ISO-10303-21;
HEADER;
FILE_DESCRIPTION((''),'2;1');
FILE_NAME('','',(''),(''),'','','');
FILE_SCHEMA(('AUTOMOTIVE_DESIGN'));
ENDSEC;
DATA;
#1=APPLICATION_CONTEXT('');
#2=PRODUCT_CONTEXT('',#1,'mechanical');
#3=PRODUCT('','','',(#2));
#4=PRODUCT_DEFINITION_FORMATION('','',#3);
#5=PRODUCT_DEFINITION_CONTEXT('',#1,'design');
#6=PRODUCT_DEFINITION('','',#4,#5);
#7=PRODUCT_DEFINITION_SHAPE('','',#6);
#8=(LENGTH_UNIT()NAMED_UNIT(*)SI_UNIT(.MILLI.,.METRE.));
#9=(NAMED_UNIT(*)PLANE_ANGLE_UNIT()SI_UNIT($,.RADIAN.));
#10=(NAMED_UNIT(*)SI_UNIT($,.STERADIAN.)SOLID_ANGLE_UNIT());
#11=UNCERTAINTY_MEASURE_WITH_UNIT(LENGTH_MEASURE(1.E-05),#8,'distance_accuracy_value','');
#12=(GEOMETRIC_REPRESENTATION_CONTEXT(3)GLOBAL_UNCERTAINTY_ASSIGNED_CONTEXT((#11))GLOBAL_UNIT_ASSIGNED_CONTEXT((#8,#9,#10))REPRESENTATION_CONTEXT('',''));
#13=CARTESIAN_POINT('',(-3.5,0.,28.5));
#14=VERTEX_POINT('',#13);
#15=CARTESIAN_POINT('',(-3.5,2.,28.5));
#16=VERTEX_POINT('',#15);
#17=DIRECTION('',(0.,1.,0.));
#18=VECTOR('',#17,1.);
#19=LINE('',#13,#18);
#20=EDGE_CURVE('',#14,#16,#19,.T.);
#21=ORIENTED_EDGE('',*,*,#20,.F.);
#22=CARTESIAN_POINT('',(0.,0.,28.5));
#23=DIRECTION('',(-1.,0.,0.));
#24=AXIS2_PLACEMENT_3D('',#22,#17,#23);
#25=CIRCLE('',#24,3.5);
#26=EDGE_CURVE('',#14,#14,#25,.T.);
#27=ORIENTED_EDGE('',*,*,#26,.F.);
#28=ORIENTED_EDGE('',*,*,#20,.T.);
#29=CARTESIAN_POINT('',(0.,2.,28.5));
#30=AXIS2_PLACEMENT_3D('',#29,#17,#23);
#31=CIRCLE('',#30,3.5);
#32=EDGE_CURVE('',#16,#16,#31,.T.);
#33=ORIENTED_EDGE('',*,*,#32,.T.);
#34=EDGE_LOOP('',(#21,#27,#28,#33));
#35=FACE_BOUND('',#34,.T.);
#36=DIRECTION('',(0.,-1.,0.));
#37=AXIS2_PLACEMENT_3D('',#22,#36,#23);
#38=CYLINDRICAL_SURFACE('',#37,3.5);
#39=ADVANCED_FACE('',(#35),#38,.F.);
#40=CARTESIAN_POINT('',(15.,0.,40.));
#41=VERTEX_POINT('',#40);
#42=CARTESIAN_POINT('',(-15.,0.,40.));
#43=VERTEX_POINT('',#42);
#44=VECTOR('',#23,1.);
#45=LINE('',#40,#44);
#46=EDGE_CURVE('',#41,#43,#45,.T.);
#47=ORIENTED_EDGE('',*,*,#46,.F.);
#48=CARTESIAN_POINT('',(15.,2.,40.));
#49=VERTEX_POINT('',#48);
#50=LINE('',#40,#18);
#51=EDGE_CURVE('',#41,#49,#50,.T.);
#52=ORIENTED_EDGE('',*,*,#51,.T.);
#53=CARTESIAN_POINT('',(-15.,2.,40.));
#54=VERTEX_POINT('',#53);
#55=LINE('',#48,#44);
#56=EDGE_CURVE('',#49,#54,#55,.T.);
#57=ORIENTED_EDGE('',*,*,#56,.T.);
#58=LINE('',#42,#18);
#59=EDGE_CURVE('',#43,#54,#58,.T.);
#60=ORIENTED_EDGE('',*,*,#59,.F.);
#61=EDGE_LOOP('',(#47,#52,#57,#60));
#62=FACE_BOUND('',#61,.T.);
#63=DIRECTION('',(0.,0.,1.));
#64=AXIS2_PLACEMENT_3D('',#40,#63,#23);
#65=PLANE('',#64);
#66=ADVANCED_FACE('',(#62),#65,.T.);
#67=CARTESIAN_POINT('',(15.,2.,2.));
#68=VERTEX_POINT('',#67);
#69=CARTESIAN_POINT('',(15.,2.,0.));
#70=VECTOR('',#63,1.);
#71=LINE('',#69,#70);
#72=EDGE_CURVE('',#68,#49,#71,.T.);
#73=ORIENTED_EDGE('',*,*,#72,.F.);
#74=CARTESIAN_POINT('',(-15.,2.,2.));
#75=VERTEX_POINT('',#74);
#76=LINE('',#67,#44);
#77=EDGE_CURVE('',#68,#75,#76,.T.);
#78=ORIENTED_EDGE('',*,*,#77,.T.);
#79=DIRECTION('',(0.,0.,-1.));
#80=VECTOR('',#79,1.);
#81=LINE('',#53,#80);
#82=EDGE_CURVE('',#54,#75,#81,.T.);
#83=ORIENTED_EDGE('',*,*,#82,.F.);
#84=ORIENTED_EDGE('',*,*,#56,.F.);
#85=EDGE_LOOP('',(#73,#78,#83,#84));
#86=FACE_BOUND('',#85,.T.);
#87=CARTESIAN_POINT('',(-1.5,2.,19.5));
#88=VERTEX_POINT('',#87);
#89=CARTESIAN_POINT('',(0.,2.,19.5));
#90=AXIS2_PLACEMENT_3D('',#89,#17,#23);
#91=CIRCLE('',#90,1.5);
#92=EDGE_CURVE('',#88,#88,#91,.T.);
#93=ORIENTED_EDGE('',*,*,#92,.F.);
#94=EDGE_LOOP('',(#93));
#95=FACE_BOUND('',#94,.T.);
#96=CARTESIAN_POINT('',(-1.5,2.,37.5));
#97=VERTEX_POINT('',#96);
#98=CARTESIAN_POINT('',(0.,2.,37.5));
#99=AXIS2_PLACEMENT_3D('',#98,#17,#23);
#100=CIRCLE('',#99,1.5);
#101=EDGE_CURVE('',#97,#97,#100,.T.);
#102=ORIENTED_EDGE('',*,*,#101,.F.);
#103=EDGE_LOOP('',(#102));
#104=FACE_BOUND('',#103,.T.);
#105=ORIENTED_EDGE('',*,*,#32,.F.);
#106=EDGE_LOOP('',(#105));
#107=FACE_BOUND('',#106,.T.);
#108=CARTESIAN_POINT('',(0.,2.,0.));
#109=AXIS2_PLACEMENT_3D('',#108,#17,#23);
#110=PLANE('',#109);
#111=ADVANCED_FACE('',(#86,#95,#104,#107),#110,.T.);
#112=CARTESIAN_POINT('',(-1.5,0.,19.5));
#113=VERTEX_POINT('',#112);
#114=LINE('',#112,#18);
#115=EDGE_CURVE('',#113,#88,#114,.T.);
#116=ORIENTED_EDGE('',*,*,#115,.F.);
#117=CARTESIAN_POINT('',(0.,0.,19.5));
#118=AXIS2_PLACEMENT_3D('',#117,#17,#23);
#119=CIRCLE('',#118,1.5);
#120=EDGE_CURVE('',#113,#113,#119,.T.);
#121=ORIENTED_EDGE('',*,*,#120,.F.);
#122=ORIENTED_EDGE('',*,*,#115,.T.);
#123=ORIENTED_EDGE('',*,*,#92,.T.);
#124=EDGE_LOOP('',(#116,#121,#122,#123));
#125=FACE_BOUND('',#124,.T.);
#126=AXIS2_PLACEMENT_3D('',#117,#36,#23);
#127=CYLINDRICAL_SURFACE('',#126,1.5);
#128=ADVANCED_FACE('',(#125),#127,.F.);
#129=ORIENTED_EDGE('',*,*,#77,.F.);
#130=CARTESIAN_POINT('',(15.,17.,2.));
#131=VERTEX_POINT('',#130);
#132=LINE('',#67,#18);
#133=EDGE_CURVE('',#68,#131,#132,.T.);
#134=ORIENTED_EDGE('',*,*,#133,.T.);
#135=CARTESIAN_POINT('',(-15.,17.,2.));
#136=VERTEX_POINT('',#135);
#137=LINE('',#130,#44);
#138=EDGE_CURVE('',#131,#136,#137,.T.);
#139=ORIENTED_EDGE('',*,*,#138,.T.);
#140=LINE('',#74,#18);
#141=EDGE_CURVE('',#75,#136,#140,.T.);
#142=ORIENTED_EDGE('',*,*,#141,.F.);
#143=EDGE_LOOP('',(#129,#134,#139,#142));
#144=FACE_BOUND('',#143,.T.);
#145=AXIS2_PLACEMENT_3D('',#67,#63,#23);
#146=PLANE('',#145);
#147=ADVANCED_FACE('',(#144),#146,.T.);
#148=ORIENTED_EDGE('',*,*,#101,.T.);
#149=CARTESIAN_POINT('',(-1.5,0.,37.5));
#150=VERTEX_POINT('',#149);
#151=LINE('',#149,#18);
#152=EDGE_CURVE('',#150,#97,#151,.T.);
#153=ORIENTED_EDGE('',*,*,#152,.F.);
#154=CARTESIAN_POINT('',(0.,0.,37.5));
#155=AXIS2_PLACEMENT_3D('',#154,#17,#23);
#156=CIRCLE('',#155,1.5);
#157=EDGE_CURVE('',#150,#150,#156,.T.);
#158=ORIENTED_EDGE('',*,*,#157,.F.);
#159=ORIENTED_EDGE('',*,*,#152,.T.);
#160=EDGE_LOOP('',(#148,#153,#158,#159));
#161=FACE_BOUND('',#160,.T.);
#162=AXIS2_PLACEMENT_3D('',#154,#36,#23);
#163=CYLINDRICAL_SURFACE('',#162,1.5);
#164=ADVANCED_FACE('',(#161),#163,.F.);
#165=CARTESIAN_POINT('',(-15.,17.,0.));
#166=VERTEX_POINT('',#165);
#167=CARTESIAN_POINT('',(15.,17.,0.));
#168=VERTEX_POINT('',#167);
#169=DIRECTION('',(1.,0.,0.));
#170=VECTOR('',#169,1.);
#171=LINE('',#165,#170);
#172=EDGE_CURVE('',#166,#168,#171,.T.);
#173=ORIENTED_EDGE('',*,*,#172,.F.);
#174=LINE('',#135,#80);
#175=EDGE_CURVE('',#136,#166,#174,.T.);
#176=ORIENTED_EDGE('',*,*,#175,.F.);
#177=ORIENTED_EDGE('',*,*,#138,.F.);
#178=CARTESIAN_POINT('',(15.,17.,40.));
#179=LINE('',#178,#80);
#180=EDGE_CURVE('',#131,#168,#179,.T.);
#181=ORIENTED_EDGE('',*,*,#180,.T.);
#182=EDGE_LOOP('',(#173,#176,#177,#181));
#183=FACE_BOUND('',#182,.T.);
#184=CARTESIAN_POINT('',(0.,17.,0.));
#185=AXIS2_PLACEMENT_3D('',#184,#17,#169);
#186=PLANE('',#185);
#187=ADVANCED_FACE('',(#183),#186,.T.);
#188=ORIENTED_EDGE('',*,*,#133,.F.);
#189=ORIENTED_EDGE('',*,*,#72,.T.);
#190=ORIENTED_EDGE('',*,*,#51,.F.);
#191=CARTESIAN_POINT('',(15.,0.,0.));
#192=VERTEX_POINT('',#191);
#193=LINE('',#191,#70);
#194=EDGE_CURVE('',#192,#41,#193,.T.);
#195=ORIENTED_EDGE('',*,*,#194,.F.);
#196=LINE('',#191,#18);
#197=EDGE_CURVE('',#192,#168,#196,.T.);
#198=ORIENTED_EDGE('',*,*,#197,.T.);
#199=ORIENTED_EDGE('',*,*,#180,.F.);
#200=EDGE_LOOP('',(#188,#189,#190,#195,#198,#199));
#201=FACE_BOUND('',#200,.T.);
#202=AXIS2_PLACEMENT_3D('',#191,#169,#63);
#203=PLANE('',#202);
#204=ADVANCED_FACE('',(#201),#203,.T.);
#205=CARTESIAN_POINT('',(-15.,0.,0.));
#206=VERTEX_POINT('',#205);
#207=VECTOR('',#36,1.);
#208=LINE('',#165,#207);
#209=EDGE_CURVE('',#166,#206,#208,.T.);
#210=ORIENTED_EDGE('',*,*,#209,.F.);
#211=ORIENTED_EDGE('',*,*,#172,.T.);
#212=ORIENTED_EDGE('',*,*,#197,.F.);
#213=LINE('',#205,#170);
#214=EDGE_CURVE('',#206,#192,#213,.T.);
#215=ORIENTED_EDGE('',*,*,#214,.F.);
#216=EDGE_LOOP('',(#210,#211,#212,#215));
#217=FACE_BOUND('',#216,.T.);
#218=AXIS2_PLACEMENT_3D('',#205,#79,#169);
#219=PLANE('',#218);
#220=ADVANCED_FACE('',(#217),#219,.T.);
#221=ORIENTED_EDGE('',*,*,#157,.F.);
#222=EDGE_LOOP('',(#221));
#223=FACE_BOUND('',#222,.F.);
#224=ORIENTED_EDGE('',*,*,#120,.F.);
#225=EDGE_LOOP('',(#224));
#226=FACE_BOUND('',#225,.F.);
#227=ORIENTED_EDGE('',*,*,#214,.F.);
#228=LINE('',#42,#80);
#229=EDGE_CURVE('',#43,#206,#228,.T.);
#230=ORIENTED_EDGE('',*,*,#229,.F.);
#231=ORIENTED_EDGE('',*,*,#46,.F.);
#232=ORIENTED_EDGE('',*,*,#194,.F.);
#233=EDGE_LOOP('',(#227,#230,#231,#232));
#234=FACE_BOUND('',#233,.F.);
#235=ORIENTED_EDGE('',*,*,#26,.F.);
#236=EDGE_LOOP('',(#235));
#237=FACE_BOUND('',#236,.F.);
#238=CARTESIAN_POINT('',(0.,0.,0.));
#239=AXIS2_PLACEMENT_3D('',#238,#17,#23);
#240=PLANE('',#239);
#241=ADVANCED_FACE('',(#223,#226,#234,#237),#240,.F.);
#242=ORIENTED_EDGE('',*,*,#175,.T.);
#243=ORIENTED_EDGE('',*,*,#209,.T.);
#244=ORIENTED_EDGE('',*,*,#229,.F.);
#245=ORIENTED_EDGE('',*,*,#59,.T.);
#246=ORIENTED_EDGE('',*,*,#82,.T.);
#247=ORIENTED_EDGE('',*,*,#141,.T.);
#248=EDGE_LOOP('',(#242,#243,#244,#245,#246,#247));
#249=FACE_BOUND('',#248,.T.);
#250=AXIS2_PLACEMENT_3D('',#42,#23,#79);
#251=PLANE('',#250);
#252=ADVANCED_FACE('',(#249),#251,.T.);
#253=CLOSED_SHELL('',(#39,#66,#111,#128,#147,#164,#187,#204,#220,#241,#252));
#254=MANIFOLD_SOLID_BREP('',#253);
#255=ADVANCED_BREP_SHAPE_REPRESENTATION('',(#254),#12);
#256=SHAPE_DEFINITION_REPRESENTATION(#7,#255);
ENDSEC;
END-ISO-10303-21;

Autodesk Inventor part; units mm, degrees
ref_plane "YZ Plane" through (0, 0, 0) normal (1, 0, 0) x (0, 1, 0)
ref_plane "XZ Plane" through (0, 0, 0) normal (0, 1, 0) x (-1, 0, 0)
ref_plane "XY Plane" through (0, 0, 0) normal (0, 0, 1) x (1, 0, 0)
sketch "Esquisse1" plane through (0, 0, 0) normal (0, 1, 0) x (-1, 0, 0)
  line L0 (-15, 40) -> (15, 40)
  line L1 (15, 40) -> (15, 0)
  line L2 (15, 0) -> (-15, 0)
  line L3 (-15, 0) -> (-15, 40)
  line L4 (0, 0) -> (0, 40) construction
  circle A0 centre (0, 28.5) radius 3.5
  line L5 (0, 28.5) -> (-15, 28.5) construction
  line L6 (0, 28.5) -> (0, 32) construction
  line L7 (0, 28.5) -> (0, 40) construction
  circle A1 centre (0, 37.5) radius 1.5
  circle A2 centre (0, 19.5) radius 1.5
  dimension "d4" = 7
  dimension "d0" = 40
  dimension "d1" = 30
  dimension "d2" = 15
  dimension "d3" = 28.5
  dimension "d12" = 3
  dimension "d13" = 9
extrude "Extrusion1" add sketch "Esquisse1" along normal blind 2
sketch "Esquisse2" plane through (0, 2, 0) normal (0, 1, 0) x (1, 0, 0)
  line L0 (15, -40) -> (15, 0) projected
  line L1 (-15, 0) -> (15, 0)
  line L2 (15, 0) -> (15, -2)
  line L3 (15, -2) -> (-15, -2)
  line L4 (-15, -2) -> (-15, 0)
  point P0 (0, 0)
  dimension "d9" = 2
extrude "Extrusion2" add sketch "Esquisse2" along normal blind 15
equation "\"d2\" = 0.5 * d1"
properties part number "motor_support"
